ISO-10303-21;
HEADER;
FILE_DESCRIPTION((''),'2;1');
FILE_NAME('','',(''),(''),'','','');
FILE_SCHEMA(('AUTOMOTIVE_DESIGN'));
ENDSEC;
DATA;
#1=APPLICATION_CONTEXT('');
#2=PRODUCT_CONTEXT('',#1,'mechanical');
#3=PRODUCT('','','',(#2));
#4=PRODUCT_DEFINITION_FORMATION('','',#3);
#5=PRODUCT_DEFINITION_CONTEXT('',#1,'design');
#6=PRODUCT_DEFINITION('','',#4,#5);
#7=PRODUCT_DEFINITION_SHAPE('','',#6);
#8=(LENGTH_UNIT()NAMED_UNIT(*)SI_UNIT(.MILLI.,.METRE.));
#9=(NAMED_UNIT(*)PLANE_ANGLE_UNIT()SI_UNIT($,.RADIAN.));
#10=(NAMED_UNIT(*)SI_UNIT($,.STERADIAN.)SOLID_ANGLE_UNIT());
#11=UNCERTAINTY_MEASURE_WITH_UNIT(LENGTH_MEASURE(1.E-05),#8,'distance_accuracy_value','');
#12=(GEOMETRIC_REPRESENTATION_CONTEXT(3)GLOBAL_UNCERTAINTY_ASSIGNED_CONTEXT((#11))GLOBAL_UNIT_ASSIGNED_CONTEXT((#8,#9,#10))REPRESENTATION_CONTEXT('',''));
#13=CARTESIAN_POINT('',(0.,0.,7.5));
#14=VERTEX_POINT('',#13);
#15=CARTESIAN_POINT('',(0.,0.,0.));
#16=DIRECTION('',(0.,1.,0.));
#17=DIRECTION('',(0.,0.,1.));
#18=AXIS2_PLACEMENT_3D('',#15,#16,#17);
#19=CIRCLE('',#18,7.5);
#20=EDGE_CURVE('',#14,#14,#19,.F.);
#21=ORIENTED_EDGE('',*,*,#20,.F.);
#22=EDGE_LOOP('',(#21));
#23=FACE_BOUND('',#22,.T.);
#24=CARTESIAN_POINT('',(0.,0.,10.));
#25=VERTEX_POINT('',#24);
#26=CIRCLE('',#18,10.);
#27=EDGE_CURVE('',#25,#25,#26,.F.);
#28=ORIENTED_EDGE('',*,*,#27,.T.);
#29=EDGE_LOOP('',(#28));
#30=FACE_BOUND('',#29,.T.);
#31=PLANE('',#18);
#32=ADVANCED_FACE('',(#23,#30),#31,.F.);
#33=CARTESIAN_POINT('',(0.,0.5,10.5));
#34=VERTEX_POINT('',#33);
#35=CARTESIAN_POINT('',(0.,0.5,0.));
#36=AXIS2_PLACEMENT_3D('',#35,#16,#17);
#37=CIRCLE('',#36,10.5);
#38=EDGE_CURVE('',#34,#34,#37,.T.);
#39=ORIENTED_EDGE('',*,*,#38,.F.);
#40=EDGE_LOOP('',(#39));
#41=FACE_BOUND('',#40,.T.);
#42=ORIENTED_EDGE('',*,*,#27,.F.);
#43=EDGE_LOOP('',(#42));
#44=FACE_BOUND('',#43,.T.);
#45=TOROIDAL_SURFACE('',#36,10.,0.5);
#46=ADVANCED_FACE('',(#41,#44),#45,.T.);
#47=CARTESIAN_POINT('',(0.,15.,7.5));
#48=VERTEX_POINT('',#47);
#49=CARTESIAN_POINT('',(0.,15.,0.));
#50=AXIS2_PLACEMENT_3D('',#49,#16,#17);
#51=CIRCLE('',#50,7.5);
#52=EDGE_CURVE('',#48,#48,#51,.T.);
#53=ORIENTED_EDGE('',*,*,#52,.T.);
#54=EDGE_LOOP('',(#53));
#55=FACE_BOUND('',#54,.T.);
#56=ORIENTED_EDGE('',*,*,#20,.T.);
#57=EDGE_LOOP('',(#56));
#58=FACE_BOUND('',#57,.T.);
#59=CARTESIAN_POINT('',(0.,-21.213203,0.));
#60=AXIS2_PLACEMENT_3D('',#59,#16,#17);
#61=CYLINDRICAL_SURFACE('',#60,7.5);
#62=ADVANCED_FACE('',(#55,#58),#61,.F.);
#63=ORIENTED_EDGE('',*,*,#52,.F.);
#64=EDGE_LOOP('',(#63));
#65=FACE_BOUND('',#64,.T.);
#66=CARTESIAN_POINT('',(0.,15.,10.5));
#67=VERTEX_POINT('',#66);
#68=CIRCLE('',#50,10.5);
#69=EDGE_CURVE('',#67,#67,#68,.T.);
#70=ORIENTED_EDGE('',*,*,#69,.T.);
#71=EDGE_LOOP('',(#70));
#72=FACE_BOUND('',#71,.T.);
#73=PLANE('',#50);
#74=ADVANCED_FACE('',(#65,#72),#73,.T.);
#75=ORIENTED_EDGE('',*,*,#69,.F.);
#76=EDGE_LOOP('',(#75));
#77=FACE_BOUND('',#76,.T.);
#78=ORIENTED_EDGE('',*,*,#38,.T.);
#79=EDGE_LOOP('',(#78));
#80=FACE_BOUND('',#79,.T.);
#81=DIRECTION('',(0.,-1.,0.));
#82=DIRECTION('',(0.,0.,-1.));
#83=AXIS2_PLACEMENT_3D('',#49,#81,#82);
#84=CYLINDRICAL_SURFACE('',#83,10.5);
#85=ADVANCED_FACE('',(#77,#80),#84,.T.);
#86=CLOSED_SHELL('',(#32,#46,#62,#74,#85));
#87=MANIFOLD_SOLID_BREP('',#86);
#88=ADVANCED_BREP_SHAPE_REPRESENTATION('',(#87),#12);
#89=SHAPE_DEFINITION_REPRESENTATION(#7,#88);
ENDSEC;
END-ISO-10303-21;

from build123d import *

# Parameters (mm, degrees)
SKETCH1_R           = 10.5
BOSS_EXTRUDE1_DEPTH = 15
SKETCH2_R           = 7.5
CUT_EXTRUDE1_DEPTH  = 15
FILLET1_R           = 0.5


with BuildPart() as part:
    # Sketch1 → Boss-Extrude1 (new body)
    with BuildSketch(Plane(origin=(0, 0, 0), x_dir=(1, 0, 0), z_dir=(0, 1, 0))):
        with Locations(Location((0, 0, 0), (0, 0, 270))):
            Circle(SKETCH1_R)
    extrude(amount=BOSS_EXTRUDE1_DEPTH)

    # Sketch2 → Cut-Extrude1 (cut)
    with BuildSketch(Plane(origin=(0, 15, 0), x_dir=(1, 0, 0), z_dir=(0, 1, 0))):
        with Locations(Location((0, 0, 0), (0, 0, 270))):
            Circle(SKETCH2_R)
    extrude(amount=-CUT_EXTRUDE1_DEPTH, mode=Mode.SUBTRACT)

    # Fillet1
    fillet1_edges = [part.edges().sort_by_distance(p)[0] for p in [
        (0, 0, -10.5),
    ]]
    fillet(fillet1_edges, radius=FILLET1_R)


solid = part.part
